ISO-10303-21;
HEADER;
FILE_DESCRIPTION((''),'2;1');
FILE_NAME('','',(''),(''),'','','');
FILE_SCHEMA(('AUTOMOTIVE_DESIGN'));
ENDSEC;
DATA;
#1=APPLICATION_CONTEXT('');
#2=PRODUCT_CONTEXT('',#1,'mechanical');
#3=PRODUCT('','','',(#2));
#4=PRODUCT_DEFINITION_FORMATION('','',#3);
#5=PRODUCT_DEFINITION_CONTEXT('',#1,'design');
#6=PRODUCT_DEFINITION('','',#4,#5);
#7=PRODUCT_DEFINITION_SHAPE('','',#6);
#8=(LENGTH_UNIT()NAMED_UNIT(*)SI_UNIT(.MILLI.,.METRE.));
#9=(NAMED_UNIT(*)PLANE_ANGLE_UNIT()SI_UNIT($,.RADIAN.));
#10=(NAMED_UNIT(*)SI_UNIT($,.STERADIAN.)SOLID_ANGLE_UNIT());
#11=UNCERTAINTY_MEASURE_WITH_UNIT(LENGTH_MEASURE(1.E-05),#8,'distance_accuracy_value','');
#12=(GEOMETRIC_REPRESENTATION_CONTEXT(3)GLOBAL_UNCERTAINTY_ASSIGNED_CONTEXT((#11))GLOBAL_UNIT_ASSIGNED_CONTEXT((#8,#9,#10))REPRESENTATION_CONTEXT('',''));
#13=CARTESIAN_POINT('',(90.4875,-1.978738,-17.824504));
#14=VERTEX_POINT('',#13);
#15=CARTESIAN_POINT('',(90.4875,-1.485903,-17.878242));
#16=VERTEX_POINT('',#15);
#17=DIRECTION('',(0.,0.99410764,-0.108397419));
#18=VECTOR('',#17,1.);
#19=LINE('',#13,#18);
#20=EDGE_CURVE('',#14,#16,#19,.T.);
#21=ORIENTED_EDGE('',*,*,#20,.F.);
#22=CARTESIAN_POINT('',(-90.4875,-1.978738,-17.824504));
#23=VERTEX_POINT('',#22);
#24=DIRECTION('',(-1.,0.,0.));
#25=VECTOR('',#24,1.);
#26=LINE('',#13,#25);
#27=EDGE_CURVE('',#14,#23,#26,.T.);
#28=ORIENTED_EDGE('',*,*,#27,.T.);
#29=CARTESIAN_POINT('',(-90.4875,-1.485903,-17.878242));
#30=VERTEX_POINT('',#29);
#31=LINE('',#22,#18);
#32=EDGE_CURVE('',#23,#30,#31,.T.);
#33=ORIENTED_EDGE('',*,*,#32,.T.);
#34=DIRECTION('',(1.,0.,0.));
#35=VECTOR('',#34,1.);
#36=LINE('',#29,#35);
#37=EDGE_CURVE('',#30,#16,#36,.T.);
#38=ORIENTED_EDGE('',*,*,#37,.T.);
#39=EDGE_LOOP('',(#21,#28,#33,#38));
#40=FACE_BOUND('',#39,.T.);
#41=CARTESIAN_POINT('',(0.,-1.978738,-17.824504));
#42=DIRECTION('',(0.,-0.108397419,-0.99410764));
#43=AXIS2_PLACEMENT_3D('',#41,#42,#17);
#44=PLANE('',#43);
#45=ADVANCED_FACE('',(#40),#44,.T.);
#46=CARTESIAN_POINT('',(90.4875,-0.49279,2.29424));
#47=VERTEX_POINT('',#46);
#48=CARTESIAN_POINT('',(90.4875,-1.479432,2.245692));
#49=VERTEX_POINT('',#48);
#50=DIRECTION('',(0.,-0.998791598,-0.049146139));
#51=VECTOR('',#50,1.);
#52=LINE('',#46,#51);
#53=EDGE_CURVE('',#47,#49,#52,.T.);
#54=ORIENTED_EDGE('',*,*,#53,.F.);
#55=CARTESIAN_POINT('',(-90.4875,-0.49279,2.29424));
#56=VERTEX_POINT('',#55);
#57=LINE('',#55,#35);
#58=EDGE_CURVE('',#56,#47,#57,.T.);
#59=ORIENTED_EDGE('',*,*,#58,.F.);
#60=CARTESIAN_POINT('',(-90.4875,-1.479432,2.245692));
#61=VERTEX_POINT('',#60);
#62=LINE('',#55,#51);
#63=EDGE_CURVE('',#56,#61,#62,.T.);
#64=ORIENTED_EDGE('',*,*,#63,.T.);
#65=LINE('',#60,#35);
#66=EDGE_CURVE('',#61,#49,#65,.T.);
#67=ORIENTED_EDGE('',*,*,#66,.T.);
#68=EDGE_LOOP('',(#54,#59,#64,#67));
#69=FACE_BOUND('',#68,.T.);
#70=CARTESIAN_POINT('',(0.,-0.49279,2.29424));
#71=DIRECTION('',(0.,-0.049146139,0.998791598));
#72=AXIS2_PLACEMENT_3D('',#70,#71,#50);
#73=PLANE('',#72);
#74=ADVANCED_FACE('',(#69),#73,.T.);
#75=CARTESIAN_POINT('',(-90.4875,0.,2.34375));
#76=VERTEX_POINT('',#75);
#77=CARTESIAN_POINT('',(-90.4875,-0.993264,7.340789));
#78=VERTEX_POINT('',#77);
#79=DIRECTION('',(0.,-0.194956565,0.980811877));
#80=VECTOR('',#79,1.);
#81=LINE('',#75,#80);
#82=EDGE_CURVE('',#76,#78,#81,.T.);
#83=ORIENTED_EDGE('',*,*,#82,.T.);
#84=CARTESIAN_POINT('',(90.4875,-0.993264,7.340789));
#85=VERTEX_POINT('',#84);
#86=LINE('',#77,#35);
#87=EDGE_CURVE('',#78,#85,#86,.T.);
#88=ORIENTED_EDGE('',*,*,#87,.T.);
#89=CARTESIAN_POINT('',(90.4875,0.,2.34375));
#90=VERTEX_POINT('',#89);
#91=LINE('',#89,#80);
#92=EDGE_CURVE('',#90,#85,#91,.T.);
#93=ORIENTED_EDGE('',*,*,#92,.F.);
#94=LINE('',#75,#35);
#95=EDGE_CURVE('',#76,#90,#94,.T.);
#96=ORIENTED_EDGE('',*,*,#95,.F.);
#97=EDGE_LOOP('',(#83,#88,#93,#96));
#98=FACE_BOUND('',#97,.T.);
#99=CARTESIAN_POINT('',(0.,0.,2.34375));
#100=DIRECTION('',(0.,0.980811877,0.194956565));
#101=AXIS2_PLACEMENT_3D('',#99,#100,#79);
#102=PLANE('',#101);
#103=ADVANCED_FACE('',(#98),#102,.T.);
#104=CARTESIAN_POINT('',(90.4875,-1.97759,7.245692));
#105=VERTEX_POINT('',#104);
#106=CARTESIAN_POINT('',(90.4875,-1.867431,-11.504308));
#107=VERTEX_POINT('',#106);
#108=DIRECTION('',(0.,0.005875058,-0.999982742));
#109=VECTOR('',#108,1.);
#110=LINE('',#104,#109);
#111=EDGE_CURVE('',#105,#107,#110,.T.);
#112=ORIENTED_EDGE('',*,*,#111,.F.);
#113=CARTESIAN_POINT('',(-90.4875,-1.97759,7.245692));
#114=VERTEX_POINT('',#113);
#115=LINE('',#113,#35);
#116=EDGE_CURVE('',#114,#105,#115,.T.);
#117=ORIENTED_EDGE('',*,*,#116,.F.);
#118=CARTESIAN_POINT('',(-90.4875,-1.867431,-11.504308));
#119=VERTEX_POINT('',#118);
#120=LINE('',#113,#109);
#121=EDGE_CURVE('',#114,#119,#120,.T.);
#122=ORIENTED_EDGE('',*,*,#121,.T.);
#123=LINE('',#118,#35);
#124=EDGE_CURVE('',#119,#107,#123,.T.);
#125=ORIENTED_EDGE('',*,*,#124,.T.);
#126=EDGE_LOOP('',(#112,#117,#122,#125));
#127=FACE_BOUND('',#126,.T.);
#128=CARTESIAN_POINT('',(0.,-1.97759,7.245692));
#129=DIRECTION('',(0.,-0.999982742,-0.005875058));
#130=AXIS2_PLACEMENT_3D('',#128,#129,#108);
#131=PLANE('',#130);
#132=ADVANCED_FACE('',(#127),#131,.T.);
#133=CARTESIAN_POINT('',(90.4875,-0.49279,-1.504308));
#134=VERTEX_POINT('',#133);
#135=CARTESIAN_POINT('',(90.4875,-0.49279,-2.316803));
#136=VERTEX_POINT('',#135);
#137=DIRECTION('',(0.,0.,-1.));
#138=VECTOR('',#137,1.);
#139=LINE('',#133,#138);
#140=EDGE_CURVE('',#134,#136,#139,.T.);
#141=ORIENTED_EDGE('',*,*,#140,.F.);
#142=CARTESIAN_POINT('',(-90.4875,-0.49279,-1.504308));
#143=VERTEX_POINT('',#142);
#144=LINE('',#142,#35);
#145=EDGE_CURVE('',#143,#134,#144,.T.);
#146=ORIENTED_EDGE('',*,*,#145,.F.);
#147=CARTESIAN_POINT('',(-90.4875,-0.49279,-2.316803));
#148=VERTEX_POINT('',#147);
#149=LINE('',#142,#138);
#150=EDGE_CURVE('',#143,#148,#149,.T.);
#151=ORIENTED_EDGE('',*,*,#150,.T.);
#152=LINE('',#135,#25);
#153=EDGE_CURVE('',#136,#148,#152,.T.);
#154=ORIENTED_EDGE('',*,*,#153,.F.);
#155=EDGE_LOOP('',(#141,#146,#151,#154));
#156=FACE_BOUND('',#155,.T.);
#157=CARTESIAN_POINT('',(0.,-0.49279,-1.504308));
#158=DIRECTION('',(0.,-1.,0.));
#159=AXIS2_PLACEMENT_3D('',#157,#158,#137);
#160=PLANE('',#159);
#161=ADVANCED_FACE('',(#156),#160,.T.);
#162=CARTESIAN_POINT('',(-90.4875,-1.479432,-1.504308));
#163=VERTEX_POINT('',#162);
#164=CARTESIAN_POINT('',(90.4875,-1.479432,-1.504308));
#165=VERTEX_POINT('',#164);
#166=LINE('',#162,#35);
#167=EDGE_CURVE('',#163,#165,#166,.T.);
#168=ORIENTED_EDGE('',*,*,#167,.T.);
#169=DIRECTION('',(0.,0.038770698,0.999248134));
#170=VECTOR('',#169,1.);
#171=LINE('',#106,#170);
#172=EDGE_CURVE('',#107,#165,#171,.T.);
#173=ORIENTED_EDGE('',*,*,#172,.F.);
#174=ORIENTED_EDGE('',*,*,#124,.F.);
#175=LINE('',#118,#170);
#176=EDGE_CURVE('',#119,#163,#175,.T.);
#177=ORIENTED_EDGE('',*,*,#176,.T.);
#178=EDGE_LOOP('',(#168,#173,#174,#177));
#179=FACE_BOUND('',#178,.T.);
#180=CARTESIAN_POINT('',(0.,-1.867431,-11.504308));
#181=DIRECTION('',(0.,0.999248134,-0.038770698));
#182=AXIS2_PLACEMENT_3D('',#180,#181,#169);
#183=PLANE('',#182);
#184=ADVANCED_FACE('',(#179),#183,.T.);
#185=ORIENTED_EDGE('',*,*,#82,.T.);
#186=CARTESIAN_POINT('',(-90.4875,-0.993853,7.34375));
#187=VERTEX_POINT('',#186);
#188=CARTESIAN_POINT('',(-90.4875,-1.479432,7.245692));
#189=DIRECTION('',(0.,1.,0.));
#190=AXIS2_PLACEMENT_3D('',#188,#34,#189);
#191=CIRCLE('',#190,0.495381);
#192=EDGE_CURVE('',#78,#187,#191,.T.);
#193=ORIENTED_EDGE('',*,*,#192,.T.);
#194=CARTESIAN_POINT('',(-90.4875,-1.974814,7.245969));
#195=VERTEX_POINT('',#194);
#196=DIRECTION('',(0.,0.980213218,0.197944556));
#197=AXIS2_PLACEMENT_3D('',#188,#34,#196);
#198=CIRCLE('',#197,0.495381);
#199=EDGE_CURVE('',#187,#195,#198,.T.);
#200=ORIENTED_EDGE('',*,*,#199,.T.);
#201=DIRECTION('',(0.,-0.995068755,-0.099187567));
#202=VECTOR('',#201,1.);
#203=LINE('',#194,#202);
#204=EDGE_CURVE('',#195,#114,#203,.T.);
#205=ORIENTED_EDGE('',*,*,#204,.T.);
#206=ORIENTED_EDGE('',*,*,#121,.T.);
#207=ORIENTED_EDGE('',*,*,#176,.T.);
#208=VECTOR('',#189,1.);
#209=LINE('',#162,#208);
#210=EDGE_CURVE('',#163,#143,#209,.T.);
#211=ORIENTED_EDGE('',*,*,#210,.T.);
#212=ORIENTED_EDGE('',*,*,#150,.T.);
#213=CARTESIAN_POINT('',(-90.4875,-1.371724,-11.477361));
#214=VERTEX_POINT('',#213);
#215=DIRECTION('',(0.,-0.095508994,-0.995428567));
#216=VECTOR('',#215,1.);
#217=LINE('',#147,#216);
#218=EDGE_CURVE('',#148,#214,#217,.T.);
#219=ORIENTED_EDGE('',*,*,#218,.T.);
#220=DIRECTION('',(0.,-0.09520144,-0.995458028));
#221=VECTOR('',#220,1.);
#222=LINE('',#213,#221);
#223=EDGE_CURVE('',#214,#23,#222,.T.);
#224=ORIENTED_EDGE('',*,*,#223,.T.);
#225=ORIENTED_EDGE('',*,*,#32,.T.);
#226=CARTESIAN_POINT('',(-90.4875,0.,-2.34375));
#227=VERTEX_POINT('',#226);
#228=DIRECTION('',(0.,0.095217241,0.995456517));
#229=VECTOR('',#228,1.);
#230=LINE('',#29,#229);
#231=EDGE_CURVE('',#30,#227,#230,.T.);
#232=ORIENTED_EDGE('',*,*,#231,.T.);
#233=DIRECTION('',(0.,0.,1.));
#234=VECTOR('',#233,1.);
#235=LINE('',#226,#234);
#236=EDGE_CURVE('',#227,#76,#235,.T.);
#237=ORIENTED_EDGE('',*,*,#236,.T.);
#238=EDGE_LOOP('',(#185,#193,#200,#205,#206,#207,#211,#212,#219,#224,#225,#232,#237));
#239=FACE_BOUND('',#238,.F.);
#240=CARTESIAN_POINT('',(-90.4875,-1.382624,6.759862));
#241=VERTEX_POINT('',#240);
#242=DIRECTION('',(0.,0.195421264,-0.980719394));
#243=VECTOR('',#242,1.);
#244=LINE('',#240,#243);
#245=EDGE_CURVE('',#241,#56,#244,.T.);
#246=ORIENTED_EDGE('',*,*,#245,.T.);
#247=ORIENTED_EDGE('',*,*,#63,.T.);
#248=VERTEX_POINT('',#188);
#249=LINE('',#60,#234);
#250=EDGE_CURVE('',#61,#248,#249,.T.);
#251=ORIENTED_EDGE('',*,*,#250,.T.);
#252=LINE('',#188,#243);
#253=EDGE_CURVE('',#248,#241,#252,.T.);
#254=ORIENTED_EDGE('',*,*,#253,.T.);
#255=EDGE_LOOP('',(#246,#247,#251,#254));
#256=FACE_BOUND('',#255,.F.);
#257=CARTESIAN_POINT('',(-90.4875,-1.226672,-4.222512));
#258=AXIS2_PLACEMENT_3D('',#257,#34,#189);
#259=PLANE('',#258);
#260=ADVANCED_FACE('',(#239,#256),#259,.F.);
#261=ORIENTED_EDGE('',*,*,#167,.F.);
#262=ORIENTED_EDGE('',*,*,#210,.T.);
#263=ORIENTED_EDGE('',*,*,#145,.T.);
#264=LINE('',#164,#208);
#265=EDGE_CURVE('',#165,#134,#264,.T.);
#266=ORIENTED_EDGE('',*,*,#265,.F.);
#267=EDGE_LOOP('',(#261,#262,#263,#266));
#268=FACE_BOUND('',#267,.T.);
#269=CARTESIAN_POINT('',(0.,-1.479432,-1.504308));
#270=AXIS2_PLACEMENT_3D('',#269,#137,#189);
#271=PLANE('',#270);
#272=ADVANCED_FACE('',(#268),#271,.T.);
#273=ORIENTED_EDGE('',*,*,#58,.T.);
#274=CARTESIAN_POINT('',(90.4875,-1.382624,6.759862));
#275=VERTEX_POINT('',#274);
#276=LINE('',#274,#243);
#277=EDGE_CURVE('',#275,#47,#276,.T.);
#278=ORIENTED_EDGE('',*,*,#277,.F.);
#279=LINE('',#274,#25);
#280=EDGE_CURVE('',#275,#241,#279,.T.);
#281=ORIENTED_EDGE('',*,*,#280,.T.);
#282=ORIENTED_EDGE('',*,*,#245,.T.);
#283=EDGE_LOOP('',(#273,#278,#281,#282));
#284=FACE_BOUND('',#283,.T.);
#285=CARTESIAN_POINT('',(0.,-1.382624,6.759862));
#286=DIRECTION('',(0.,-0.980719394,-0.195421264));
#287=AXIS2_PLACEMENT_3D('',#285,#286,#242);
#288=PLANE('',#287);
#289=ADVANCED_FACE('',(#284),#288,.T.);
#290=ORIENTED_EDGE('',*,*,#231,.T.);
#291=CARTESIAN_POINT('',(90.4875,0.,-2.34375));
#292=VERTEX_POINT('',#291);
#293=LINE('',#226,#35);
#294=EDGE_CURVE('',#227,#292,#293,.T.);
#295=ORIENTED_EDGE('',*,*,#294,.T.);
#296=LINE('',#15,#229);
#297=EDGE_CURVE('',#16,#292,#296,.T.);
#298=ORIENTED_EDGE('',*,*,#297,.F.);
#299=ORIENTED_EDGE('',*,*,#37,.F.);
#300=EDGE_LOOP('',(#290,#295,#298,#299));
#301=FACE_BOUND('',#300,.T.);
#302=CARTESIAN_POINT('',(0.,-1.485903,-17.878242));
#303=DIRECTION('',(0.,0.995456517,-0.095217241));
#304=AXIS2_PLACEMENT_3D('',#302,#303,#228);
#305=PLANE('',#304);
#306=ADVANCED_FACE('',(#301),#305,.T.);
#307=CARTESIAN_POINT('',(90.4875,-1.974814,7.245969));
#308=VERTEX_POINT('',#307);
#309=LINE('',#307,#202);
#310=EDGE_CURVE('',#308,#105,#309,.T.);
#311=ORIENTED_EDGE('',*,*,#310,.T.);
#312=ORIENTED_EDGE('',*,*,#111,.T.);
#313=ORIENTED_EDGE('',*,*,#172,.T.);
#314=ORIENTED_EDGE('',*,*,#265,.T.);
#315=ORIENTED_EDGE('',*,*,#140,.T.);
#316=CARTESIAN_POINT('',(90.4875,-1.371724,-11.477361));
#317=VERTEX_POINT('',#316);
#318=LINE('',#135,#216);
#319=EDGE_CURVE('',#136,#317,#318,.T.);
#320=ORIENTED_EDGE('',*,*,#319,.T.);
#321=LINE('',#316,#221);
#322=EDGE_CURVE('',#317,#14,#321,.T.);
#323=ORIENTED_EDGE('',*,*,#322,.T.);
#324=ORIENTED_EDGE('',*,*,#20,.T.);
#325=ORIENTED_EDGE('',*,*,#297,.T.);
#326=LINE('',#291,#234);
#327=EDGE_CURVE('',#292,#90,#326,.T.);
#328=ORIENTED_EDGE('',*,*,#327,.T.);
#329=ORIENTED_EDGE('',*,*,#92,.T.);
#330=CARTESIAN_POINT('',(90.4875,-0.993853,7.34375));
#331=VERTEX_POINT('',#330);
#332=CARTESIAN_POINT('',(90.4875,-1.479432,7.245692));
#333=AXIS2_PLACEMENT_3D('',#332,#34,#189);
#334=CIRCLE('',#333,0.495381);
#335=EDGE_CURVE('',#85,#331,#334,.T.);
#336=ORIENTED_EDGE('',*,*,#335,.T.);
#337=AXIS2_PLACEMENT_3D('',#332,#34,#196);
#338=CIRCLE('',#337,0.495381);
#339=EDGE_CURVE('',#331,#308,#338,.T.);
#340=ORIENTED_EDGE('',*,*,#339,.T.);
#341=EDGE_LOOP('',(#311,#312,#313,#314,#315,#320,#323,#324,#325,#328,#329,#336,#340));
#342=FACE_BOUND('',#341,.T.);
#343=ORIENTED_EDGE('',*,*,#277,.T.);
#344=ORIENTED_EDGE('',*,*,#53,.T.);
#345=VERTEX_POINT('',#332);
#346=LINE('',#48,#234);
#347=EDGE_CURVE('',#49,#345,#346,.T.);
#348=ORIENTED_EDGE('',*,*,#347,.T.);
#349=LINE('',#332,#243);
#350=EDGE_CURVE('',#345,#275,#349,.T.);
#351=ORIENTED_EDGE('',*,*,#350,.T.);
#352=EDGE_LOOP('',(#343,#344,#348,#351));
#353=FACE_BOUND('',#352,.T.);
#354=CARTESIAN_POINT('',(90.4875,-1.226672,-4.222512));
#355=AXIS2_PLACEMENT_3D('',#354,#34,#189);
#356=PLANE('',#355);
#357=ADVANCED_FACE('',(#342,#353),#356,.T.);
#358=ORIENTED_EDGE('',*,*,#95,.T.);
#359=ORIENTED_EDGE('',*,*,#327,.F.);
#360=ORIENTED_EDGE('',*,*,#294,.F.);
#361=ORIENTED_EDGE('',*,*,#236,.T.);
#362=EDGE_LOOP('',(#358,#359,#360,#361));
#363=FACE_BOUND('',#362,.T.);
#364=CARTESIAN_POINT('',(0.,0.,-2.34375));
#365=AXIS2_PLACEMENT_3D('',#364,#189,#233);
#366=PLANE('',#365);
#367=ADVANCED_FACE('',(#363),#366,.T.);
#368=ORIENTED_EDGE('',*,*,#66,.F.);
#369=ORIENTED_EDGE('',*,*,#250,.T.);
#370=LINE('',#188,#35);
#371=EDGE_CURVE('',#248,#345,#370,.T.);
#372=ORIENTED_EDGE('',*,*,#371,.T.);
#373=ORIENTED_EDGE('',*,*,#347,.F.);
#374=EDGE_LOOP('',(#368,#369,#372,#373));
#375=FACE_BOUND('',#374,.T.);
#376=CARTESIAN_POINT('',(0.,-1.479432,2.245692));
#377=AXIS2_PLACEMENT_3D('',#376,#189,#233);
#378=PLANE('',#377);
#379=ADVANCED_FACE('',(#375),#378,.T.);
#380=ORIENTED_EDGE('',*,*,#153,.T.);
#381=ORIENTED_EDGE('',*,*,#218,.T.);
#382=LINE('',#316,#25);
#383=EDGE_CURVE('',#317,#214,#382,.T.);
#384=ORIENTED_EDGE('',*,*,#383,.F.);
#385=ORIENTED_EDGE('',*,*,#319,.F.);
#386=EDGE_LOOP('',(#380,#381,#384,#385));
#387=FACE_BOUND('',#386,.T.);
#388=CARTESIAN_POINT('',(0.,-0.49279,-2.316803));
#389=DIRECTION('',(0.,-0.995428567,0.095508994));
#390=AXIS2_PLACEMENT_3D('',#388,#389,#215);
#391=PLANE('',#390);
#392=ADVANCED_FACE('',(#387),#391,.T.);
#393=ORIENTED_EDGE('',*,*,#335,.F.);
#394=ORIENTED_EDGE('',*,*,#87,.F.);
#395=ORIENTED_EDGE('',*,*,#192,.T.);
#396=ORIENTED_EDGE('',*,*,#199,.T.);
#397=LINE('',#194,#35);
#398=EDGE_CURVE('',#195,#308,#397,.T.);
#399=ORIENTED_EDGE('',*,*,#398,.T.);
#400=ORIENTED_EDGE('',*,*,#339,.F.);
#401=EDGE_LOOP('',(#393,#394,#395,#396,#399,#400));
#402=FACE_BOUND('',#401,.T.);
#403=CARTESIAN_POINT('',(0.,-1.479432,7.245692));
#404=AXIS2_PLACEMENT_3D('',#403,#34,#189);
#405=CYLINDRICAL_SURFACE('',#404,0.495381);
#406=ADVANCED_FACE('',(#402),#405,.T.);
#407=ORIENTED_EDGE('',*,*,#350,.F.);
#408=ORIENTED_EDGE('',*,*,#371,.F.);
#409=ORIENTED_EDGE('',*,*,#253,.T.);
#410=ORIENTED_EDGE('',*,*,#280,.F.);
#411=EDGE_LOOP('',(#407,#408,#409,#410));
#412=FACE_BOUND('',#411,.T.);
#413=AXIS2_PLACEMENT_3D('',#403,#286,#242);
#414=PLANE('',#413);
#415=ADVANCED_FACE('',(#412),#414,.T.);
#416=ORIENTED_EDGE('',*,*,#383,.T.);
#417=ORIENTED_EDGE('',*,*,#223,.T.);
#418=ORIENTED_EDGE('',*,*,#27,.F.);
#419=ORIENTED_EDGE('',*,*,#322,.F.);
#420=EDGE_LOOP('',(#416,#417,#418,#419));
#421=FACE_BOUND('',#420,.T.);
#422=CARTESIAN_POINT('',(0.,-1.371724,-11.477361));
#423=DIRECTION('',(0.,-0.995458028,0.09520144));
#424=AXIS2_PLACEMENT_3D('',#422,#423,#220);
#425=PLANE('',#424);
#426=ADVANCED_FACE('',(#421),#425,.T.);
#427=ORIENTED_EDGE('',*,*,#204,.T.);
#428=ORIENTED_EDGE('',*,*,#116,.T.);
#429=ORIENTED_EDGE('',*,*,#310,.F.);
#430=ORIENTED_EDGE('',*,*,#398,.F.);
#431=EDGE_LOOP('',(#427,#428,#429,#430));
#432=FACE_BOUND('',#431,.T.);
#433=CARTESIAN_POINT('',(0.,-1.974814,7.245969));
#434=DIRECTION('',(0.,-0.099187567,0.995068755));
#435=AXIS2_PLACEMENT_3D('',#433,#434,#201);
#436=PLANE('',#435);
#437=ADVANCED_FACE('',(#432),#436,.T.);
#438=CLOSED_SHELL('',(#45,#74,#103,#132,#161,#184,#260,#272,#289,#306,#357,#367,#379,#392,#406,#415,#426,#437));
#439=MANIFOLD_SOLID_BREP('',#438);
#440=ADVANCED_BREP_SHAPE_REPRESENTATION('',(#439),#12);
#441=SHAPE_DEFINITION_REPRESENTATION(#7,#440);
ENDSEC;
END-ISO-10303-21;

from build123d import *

# Parameters (mm, degrees)
F1_DEPTH = 723.9
F2_SCALE = 0.125


with BuildPart() as f1:
    # F0 (on Right) → F1 (new body, symmetric)
    with BuildSketch(Plane.YZ):
        with BuildLine():
            Line((-15.8299067503, -142.596029821), (-11.8872214526, -143.0259399152))
            Line((-11.8872214526, -143.0259399152), (0, -18.7500006))
            Line((0, -18.7500006), (0, 18.7499994))
            Line((0, 18.7499994), (-7.9508239998, 58.7499994))
            ThreePointArc((-7.9508239998, 58.7499994), (-7.8920606963, 58.3597218998), (-7.8724079566, 57.9655348594))
            ThreePointArc((-7.8724079566, 57.9655348594), (-8.7715551646, 55.4519182766), (-11.0609952128, 54.0788930426))
            Line((-11.0609952128, 54.0788930426), (-3.9423238, 18.3539213456))
            Line((-3.9423238, 18.3539213456), (-11.835459815, 17.9655348594))
            Line((-11.835459815, 17.9655348594), (-11.835459815, 54.0024830011))
            ThreePointArc((-11.835459815, 54.0024830011), (-14.6385433533, 55.16401693), (-15.7985110549, 57.9677489647))
            Line((-15.7985110549, 57.9677489647), (-15.8207233853, 57.9655348594))
            Line((-15.8207233853, 57.9655348594), (-14.9394494697, -92.0344651406))
            Line((-14.9394494697, -92.0344651406), (-11.835459815, -12.0344651406))
            Line((-11.835459815, -12.0344651406), (-3.9423238, -12.0344651406))
            Line((-3.9423238, -12.0344651406), (-3.9423238, -18.5344211826))
            Line((-3.9423238, -18.5344211826), (-10.9737931654, -91.8188857231))
            Line((-10.9737931654, -91.8188857231), (-15.8299067503, -142.596029821))
        make_face()
        with BuildLine():
            ThreePointArc((-7.8724079566, 57.9655348594), (-7.8920606963, 58.3597218998), (-7.9508239998, 58.7499994))
            Line((-7.9508239998, 58.7499994), (-15.7985110549, 57.9677489647))
            ThreePointArc((-15.7985110549, 57.9677489647), (-14.6385433533, 55.16401693), (-11.835459815, 54.0024830011))
            Line((-11.835459815, 54.0024830011), (-11.835459815, 57.9655348594))
            Line((-11.835459815, 57.9655348594), (-11.0609952128, 54.0788930426))
            ThreePointArc((-11.0609952128, 54.0788930426), (-8.7715551646, 55.4519182766), (-7.8724079566, 57.9655348594))
        make_face()
        with BuildLine():
            Line((-15.7985110549, 57.9677489647), (-7.9508239998, 58.7499994))
            ThreePointArc((-7.9508239998, 58.7499994), (-12.2285452772, 61.9090439379), (-15.7985110549, 57.9677489647))
        make_face()
    extrude(amount=F1_DEPTH, both=True)


with BuildPart() as f1_1:
    # F2: moved
    add(f1.part.scale(F2_SCALE))


solid = f1_1.part
